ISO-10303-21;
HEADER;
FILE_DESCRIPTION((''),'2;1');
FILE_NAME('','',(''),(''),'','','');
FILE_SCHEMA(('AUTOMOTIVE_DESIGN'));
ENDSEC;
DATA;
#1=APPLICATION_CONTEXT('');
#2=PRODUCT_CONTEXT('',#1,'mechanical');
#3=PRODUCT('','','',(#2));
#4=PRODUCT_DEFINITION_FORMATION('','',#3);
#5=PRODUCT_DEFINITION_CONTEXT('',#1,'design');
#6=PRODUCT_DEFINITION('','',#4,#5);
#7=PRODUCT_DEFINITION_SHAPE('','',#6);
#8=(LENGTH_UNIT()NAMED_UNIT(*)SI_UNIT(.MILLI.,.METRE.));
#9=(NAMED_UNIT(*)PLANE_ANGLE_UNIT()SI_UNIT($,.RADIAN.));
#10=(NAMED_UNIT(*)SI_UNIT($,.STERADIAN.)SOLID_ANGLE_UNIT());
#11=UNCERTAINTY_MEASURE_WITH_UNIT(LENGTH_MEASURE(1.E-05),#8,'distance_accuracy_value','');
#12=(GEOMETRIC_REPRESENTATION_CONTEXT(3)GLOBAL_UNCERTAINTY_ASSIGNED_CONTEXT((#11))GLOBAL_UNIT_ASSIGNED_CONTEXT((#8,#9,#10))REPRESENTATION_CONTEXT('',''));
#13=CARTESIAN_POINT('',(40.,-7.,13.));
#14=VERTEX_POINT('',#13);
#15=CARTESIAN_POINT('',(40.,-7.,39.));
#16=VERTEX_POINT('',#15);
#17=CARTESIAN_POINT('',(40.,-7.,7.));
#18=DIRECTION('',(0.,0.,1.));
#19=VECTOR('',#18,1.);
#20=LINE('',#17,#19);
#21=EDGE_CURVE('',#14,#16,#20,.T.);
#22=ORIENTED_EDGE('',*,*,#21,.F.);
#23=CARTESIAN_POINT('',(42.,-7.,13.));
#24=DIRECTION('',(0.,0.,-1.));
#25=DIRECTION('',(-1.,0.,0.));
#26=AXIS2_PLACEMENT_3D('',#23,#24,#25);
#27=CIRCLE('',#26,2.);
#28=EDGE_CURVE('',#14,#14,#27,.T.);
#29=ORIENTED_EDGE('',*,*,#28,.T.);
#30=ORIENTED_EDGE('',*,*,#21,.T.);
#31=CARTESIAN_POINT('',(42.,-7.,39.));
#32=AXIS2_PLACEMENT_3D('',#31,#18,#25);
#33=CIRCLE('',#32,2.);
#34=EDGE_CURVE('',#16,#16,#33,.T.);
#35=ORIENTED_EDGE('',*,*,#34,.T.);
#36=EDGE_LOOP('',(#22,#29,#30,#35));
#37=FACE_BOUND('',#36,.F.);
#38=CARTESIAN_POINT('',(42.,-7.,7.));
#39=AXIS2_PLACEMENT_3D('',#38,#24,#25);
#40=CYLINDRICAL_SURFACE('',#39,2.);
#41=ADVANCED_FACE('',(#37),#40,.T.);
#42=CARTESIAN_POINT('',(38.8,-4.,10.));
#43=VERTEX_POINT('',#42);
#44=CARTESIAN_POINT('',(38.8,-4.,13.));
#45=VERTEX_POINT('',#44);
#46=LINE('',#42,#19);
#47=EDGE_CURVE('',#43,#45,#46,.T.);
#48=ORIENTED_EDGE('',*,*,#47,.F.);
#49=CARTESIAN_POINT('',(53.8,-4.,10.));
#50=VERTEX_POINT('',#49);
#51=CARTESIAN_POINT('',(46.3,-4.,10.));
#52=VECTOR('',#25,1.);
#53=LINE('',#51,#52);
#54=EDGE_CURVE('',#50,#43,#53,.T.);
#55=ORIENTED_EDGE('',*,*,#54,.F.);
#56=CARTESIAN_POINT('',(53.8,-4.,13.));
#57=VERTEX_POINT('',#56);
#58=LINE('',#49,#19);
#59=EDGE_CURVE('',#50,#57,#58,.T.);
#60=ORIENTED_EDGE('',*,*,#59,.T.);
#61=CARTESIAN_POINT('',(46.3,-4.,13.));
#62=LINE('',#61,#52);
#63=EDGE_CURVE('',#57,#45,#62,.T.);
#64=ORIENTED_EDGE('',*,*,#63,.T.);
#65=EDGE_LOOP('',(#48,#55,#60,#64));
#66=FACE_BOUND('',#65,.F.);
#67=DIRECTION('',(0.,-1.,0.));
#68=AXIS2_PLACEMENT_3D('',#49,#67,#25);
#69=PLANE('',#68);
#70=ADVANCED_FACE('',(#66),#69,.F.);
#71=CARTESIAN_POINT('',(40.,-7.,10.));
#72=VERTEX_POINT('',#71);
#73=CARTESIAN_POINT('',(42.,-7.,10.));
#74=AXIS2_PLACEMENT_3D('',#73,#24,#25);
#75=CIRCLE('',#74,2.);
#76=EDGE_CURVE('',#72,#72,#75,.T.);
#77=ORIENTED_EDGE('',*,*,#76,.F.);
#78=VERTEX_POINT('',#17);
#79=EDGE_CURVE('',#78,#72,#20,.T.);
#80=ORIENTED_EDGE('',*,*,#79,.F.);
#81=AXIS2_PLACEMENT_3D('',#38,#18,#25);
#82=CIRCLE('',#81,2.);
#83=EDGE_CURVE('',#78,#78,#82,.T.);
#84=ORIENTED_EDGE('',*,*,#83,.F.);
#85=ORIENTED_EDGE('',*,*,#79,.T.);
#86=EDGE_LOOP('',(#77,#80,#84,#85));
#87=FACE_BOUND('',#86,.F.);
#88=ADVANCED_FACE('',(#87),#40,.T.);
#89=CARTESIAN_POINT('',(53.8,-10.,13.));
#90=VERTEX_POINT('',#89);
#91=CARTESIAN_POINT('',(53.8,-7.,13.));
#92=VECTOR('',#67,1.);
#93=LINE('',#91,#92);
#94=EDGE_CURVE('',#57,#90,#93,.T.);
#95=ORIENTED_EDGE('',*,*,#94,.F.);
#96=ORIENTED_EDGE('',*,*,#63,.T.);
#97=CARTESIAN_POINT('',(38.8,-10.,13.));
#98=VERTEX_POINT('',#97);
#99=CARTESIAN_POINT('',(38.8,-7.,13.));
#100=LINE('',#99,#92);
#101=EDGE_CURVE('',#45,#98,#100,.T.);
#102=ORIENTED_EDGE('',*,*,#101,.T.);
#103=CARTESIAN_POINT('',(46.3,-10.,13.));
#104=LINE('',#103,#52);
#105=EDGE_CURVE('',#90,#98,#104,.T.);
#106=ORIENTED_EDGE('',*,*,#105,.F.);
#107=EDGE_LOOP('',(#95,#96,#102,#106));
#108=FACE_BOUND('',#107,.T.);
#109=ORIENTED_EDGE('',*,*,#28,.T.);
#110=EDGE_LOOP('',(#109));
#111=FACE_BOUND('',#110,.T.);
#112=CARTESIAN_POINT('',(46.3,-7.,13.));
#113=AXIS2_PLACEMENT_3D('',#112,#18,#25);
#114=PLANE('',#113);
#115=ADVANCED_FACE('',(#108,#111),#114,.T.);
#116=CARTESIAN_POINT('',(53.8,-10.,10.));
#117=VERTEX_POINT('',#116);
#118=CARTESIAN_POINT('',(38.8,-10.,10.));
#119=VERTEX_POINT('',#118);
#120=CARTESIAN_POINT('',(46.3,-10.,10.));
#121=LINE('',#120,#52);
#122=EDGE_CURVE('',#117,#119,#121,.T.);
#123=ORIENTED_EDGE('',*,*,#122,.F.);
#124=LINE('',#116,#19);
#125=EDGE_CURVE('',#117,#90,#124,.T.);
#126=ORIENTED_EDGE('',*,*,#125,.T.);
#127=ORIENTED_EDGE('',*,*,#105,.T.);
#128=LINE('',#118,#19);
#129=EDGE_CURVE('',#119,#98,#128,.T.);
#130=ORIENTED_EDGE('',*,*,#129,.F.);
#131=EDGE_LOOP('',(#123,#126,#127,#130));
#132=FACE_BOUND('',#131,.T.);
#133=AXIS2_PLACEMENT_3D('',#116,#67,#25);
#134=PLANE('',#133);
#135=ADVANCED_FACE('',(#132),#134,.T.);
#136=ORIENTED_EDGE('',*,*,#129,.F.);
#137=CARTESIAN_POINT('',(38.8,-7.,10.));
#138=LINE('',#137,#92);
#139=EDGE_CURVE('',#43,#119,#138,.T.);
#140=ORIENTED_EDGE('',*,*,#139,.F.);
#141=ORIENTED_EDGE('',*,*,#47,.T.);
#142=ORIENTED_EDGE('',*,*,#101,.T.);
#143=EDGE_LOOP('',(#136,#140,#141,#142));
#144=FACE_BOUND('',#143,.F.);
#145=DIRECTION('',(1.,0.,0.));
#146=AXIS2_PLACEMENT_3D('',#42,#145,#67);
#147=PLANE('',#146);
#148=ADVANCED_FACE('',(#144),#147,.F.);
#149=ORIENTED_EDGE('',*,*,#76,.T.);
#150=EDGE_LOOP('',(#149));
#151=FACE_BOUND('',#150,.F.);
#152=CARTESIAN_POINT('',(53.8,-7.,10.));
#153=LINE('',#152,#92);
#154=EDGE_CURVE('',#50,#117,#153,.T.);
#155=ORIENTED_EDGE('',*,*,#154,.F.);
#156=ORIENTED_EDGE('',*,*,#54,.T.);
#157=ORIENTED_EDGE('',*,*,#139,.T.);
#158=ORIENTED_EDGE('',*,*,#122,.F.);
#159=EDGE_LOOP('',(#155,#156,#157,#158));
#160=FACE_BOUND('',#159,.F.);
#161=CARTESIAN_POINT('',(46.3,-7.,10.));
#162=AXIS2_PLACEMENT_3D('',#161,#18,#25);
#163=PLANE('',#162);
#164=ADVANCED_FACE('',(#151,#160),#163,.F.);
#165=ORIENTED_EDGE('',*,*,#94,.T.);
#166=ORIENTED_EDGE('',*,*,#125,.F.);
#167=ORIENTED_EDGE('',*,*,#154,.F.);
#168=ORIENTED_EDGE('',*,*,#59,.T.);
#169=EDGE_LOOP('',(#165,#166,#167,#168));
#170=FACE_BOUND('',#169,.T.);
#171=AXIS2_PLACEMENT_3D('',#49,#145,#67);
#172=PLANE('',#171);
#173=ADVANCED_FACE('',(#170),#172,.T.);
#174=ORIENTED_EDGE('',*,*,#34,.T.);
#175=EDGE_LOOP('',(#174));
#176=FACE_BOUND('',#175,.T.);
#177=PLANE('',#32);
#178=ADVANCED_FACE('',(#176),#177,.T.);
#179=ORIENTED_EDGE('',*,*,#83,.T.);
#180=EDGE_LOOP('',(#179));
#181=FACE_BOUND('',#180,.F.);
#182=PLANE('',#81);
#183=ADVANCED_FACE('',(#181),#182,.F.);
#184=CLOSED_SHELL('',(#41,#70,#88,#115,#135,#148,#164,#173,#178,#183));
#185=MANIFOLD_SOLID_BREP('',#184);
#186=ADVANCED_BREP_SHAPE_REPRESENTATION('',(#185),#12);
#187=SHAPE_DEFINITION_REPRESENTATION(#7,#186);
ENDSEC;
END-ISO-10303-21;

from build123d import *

# Parameters (mm, degrees)
BOX018_W                  = 15
BOX018_H                  = 6
BOX018_DEPTH              = 3
CYLINDER058_R             = 1.5
CYLINDER058_DEPTH         = 25
CYLINDER057_R             = 2
CYLINDER057_DEPTH         = 32
FUSION041_PLACEMENT_ANGLE = 180


with BuildPart() as cube015:
    # Box018 → Box018 (new body)
    with BuildSketch(Plane(origin=(58.2, 67, 3), x_dir=(1, 0, 0), z_dir=(0, 0, 1))):
        with Locations((7.5, 3)):
            Rectangle(BOX018_W, BOX018_H)
    extrude(amount=BOX018_DEPTH)


with BuildPart() as cylinder058:
    # Cylinder058 → Cylinder058 (new body)
    with BuildSketch(Plane(origin=(70, 70, 7), x_dir=(1, 0, 0), z_dir=(0, 0, 1))):
        Circle(CYLINDER058_R)
    extrude(amount=CYLINDER058_DEPTH)


with BuildPart() as bohrungfanductupper001:
    # Cylinder057 → Cylinder057 (new body)
    with BuildSketch(Plane(origin=(70, 70, 0), x_dir=(1, 0, 0), z_dir=(0, 0, 1))):
        Circle(CYLINDER057_R)
    extrude(amount=CYLINDER057_DEPTH)

    # Fusion041: union Cube015, Cylinder058
    add(cube015.part)
    add(cylinder058.part)


with BuildPart() as bohrungfanductupper001_1:
    # Fusion041 placement: moved
    add(bohrungfanductupper001.part.moved(Location((112, 63, 7))).rotate(Axis((112, 63, 7), (0, 0, 1)), FUSION041_PLACEMENT_ANGLE))


solid = bohrungfanductupper001_1.part
